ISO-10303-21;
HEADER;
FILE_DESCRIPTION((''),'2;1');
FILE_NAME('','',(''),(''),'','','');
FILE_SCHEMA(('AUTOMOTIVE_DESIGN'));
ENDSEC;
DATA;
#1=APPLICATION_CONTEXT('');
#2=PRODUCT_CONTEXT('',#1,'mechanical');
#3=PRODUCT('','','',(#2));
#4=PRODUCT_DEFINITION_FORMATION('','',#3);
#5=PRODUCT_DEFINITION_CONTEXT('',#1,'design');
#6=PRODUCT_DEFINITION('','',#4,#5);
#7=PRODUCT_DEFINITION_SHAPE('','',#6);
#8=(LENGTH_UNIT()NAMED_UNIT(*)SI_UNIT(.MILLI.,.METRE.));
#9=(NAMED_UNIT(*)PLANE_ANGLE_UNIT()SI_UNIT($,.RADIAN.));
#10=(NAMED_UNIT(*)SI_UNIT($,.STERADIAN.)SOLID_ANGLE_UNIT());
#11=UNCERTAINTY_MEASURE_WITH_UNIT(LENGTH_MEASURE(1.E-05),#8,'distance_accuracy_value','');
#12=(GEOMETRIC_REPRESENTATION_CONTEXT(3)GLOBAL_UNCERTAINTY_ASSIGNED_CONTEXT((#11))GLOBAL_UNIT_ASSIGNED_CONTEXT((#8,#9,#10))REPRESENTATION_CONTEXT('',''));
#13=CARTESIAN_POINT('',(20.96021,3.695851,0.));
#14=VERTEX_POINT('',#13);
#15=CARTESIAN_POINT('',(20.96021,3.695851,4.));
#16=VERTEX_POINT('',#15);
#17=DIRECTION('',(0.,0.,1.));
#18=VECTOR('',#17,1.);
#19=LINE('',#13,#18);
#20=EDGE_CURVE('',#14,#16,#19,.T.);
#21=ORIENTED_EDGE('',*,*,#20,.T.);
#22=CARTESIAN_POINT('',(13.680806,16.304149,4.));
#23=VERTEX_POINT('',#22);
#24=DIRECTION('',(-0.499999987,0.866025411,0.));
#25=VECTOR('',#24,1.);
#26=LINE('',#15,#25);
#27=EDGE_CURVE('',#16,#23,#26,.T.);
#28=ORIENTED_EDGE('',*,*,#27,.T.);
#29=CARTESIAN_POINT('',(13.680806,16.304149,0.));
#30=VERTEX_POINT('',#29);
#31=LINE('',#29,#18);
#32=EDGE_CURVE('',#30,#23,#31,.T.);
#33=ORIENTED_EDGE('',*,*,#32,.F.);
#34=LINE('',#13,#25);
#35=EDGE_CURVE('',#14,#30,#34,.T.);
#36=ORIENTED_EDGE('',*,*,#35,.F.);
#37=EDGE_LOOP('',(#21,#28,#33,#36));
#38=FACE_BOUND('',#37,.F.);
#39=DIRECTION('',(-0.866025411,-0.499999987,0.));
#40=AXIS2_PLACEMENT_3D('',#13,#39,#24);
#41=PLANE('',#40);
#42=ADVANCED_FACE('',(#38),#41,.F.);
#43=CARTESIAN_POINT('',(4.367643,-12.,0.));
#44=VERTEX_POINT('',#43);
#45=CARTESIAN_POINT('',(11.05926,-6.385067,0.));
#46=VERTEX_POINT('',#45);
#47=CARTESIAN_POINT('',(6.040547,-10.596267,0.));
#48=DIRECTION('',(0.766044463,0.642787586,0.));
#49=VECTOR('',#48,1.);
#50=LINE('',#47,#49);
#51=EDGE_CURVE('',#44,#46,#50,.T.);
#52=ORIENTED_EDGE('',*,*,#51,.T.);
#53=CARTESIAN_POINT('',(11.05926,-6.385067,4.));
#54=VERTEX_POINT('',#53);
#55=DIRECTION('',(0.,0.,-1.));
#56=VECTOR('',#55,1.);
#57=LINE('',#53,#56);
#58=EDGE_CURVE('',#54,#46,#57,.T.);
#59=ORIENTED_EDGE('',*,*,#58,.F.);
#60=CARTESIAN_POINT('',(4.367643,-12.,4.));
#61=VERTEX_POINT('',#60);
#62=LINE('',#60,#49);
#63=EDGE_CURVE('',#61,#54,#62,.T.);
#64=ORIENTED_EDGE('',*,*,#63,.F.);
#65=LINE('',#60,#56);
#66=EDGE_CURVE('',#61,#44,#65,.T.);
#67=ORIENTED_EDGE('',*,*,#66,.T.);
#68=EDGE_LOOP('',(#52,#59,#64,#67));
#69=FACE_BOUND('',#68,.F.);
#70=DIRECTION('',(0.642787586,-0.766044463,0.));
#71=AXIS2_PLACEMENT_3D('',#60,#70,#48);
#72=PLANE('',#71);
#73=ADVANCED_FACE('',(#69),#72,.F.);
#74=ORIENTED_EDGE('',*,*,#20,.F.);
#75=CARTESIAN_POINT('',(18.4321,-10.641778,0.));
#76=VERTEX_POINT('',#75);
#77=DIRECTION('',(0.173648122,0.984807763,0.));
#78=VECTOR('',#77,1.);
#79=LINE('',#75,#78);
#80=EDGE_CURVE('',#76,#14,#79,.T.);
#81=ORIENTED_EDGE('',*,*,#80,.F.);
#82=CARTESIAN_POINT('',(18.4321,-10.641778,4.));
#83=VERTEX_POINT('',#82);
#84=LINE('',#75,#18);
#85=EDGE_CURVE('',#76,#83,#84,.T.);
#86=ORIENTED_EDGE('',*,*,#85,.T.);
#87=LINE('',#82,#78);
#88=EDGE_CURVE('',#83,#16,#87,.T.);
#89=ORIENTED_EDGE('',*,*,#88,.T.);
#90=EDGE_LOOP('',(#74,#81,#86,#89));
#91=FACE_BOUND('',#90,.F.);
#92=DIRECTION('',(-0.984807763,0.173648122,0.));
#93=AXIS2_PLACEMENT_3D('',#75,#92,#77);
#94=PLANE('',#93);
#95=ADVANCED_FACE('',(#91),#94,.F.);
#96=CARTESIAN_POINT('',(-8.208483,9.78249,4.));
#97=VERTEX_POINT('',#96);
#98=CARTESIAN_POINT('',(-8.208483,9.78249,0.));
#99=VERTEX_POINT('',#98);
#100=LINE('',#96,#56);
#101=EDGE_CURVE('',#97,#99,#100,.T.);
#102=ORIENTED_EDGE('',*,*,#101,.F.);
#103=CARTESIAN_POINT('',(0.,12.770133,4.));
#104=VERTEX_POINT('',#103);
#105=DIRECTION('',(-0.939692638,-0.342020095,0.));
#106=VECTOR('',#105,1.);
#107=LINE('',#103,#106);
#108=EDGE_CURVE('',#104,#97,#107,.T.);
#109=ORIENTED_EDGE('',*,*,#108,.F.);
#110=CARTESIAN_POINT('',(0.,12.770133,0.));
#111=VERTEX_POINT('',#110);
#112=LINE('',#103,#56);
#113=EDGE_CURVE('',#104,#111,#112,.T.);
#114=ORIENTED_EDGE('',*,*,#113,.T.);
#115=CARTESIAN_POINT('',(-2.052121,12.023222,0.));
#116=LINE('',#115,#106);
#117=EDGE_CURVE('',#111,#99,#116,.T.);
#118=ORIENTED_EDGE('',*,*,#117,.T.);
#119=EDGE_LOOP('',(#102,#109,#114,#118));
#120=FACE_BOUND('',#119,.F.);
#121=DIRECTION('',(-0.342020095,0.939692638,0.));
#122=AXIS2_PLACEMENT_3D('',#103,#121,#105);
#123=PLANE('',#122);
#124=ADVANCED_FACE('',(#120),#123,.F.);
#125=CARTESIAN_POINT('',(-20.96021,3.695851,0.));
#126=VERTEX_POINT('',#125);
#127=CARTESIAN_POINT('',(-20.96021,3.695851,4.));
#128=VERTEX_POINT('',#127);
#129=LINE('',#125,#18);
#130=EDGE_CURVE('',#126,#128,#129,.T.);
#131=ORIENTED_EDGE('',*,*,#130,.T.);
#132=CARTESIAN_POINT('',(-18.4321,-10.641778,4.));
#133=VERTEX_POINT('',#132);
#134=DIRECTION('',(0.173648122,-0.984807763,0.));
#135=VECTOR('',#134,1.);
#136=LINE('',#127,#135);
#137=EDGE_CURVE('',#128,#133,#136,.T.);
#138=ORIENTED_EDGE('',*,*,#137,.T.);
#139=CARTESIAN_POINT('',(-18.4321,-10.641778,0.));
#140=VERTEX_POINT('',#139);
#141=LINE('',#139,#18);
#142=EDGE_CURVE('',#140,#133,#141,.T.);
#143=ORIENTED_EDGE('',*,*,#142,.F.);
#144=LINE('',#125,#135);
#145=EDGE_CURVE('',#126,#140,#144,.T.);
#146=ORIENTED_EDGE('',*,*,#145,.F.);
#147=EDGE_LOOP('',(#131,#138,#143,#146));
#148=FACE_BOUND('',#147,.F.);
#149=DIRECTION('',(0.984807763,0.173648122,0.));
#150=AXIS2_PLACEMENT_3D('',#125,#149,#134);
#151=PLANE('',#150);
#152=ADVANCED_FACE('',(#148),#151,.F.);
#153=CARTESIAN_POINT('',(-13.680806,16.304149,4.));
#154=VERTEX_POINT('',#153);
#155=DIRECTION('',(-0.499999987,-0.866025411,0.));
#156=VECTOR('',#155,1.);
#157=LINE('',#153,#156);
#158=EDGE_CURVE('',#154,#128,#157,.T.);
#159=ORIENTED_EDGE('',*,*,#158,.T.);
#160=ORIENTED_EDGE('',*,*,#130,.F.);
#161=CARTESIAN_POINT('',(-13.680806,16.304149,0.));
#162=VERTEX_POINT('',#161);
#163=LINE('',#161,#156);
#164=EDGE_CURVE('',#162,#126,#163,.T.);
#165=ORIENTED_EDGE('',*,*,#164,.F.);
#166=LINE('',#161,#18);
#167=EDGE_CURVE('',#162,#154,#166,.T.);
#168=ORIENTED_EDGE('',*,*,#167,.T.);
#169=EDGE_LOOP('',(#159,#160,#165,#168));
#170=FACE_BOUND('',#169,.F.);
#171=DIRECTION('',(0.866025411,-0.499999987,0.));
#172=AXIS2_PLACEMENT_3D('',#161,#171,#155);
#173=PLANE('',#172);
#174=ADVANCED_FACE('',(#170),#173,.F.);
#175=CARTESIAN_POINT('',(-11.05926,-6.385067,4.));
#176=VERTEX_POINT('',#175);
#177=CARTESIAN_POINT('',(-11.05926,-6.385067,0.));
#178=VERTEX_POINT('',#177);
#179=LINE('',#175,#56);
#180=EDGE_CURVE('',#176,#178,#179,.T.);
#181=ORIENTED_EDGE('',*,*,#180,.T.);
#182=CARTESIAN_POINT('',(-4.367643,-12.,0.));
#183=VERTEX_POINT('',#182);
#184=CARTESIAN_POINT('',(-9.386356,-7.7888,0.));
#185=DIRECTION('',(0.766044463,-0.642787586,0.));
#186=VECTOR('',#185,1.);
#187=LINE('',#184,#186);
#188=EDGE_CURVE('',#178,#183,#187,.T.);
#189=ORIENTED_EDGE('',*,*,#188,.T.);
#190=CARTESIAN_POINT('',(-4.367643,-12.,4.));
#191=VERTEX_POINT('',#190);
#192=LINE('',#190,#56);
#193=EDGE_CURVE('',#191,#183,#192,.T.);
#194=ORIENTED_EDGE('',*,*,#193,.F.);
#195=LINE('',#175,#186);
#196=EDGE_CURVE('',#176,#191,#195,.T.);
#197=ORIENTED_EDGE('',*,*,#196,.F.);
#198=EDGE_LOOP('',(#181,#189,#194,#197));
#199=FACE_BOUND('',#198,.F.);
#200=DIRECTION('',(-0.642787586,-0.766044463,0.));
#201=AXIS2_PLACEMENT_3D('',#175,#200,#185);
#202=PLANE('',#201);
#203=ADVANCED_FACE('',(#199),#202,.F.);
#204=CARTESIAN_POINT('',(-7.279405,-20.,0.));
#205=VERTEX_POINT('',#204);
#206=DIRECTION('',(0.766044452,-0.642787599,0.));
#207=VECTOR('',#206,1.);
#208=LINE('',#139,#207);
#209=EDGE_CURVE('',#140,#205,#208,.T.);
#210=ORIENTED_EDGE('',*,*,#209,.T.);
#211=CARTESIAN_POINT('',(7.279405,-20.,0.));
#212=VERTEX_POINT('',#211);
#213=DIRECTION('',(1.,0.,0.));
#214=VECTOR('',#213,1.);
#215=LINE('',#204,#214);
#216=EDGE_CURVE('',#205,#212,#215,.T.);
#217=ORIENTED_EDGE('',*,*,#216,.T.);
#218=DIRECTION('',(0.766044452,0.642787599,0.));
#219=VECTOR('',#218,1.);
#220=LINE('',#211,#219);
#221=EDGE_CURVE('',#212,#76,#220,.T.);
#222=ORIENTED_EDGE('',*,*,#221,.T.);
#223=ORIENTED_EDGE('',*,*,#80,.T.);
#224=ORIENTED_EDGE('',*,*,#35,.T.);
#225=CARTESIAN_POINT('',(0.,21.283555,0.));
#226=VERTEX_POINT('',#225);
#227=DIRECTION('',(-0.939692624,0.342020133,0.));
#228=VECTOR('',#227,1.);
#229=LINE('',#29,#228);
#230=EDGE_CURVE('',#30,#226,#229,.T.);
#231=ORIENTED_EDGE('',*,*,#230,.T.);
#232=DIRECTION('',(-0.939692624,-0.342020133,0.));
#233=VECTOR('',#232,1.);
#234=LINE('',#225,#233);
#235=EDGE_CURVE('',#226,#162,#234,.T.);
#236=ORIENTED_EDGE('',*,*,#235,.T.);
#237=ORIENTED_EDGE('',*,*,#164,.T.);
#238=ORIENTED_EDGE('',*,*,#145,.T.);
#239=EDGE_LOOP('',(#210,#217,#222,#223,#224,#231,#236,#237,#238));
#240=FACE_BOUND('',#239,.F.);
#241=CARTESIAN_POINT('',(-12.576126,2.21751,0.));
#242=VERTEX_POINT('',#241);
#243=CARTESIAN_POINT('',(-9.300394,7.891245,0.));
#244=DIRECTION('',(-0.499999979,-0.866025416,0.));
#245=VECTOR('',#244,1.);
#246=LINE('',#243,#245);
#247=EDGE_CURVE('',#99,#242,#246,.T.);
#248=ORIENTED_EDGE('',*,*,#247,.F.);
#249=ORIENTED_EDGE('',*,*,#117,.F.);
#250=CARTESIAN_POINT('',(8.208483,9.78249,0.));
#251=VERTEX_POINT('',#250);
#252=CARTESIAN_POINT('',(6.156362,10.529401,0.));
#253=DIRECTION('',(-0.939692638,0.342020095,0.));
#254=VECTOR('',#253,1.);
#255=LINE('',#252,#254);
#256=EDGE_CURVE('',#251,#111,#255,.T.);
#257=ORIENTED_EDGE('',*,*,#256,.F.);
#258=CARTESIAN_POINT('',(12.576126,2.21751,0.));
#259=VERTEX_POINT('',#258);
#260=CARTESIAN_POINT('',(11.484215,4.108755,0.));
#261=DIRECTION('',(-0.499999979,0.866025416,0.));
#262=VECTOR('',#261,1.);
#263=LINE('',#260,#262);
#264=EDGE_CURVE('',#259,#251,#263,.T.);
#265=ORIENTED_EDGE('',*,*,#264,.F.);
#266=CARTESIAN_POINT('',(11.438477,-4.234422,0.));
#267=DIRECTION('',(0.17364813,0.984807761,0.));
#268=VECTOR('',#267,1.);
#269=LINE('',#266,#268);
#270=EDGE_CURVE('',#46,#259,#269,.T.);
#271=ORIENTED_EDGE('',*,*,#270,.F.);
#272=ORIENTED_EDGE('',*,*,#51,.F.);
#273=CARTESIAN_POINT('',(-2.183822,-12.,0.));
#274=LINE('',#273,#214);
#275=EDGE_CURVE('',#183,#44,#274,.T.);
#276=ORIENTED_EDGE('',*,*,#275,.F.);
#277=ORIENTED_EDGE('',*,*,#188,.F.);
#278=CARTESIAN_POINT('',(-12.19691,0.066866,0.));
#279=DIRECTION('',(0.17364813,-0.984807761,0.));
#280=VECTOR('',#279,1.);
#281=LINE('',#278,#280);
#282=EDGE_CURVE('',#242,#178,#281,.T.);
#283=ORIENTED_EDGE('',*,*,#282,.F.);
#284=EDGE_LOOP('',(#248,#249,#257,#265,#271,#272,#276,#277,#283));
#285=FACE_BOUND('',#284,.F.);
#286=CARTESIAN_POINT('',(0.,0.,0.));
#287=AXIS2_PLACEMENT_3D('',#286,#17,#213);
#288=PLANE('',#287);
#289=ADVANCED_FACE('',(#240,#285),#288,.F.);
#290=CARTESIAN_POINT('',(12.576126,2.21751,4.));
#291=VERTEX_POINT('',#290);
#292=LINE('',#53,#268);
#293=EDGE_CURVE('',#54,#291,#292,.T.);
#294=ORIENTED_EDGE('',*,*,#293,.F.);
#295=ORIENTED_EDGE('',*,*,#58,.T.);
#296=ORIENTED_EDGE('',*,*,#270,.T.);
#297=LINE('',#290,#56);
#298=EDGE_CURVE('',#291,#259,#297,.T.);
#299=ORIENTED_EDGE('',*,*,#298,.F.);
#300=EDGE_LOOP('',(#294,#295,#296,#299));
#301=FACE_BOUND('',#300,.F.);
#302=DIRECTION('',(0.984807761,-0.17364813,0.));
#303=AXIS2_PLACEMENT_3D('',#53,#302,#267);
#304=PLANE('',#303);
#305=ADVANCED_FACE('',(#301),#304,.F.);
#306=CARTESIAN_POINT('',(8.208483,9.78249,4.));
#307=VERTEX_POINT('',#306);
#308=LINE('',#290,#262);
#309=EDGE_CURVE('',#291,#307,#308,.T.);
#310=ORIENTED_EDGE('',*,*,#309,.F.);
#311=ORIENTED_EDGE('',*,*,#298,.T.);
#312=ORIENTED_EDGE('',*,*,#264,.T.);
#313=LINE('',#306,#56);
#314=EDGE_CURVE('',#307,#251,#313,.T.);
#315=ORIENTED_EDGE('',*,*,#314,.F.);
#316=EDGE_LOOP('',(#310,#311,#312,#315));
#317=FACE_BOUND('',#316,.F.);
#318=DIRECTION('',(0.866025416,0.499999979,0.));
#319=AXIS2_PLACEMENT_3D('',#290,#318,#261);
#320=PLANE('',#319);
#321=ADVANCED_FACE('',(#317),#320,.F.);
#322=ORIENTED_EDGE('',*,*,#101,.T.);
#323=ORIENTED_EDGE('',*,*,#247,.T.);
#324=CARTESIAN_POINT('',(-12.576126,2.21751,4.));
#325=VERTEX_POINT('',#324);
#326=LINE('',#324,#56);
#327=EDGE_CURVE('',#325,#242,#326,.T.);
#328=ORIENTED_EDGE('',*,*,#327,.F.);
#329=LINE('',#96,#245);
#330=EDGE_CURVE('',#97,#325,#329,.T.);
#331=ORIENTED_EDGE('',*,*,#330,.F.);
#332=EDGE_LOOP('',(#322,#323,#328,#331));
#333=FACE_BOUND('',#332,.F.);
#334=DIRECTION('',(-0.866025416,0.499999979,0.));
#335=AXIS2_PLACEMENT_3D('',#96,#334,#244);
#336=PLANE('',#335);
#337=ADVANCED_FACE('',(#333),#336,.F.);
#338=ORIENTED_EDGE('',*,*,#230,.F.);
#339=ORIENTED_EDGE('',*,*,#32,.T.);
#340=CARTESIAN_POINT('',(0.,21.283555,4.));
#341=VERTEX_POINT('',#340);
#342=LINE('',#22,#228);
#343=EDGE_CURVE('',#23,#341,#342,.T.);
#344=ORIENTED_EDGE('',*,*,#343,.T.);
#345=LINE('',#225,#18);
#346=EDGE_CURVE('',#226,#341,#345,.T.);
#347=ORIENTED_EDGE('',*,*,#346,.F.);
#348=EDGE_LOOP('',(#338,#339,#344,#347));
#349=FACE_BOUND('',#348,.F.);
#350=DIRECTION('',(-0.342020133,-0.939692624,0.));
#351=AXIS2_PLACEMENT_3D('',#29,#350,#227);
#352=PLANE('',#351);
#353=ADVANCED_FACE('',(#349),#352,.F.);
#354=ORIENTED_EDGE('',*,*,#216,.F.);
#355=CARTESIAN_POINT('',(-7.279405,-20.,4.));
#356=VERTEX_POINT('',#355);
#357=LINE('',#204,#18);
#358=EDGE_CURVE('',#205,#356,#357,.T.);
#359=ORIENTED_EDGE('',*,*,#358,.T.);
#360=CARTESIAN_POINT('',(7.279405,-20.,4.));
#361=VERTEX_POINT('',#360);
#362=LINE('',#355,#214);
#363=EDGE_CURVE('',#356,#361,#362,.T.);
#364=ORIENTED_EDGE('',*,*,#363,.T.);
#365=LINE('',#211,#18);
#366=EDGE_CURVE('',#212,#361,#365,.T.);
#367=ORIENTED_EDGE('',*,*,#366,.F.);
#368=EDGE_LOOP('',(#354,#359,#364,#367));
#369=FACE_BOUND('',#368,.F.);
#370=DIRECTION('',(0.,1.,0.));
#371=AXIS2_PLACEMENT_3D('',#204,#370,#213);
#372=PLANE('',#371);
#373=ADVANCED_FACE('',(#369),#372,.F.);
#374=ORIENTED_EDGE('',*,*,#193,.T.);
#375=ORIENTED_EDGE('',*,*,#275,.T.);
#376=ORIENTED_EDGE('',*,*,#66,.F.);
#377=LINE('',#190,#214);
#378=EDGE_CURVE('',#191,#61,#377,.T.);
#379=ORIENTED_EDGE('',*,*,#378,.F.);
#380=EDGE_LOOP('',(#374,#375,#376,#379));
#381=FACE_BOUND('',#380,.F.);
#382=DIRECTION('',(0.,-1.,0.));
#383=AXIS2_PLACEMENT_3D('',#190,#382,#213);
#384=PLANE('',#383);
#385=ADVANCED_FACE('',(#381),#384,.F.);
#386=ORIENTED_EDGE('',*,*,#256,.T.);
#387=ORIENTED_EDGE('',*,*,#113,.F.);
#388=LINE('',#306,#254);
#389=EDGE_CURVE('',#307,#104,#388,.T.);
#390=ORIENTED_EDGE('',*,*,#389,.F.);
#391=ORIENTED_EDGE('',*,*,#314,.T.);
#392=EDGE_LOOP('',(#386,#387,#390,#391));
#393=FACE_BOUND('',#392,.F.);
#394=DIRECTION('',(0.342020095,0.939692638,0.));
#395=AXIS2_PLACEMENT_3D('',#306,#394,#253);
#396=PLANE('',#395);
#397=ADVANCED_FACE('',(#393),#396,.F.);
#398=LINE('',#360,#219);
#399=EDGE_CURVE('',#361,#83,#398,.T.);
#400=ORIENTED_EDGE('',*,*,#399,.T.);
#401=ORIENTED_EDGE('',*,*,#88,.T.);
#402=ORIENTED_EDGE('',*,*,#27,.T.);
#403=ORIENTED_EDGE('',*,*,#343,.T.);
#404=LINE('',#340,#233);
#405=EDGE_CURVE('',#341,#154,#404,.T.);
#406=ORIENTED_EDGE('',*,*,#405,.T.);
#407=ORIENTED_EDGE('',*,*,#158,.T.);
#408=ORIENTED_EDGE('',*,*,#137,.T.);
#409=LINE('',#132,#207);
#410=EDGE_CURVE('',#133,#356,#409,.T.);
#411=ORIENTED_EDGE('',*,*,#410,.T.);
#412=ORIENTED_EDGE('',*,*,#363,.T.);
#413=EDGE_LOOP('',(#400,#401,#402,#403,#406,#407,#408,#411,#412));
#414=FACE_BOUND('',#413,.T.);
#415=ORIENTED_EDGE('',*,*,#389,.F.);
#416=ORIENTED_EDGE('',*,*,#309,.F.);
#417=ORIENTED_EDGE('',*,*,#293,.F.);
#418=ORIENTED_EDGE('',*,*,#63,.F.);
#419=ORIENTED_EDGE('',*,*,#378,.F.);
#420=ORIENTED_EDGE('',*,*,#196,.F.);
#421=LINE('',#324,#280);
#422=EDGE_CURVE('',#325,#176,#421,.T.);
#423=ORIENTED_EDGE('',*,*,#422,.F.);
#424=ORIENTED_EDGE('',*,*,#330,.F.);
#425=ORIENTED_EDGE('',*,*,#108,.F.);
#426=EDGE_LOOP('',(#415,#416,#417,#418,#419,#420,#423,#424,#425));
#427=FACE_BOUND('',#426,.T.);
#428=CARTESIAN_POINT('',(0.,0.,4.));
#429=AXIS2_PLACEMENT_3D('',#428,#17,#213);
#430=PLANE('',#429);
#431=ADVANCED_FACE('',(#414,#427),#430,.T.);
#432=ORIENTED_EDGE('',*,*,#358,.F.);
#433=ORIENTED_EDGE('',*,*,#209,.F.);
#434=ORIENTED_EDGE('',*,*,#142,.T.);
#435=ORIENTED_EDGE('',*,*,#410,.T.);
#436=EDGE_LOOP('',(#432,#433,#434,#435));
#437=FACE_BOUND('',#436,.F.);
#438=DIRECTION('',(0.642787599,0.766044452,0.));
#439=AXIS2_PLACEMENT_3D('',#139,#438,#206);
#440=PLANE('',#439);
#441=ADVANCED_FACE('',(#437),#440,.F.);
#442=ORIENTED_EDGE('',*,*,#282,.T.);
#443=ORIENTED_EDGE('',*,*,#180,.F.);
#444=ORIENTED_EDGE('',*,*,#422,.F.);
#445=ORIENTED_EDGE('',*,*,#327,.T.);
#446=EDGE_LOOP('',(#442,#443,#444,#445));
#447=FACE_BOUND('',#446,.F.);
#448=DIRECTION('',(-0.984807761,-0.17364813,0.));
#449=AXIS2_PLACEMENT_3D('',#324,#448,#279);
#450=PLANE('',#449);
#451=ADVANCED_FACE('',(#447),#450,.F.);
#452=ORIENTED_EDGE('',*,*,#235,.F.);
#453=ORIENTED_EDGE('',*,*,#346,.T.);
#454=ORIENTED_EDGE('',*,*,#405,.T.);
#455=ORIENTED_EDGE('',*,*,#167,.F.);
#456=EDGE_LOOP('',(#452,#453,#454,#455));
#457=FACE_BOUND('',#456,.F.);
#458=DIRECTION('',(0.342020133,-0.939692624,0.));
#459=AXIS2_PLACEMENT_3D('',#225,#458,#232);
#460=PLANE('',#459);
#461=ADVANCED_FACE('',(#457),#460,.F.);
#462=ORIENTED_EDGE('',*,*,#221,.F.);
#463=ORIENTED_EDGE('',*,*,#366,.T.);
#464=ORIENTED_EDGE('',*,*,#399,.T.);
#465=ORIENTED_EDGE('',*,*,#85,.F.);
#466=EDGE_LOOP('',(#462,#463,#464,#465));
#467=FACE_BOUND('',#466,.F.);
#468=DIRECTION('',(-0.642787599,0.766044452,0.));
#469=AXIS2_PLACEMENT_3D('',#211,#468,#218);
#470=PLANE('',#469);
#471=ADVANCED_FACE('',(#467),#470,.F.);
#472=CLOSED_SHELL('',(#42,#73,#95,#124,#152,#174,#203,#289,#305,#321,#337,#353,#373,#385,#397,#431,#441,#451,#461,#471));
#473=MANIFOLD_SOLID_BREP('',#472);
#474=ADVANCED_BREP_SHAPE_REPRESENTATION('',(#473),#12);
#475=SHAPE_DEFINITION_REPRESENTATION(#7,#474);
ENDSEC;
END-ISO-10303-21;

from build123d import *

# Parameters (mm, degrees)
F1_DEPTH = 4
F3_DEPTH = 25


with BuildPart() as f1:
    # F0 (on Top) → F1 (new body)
    with BuildSketch(Plane.XY):
        Polygon((-7.279405, -20), (7.279405, -20), (18.4321, -10.641778), (20.96021, 3.695851), (13.680806, 16.304149), (0, 21.283555), (-13.680806, 16.304149), (-20.96021, 3.695851), (-18.4321, -10.641778), align=None)
    extrude(amount=F1_DEPTH)

    # F2 (on face) → F3 (cut)
    with BuildSketch(Plane.XY.offset(4)):
        Polygon((-11.05926, -6.385067), (-4.367643, -12), (4.367643, -12), (11.05926, -6.385067), (12.576126, 2.21751), (8.208483, 9.78249), (0, 12.770133), (-8.208483, 9.78249), (-12.576126, 2.21751), align=None)
    extrude(amount=-F3_DEPTH, mode=Mode.SUBTRACT)


solid = f1.part
